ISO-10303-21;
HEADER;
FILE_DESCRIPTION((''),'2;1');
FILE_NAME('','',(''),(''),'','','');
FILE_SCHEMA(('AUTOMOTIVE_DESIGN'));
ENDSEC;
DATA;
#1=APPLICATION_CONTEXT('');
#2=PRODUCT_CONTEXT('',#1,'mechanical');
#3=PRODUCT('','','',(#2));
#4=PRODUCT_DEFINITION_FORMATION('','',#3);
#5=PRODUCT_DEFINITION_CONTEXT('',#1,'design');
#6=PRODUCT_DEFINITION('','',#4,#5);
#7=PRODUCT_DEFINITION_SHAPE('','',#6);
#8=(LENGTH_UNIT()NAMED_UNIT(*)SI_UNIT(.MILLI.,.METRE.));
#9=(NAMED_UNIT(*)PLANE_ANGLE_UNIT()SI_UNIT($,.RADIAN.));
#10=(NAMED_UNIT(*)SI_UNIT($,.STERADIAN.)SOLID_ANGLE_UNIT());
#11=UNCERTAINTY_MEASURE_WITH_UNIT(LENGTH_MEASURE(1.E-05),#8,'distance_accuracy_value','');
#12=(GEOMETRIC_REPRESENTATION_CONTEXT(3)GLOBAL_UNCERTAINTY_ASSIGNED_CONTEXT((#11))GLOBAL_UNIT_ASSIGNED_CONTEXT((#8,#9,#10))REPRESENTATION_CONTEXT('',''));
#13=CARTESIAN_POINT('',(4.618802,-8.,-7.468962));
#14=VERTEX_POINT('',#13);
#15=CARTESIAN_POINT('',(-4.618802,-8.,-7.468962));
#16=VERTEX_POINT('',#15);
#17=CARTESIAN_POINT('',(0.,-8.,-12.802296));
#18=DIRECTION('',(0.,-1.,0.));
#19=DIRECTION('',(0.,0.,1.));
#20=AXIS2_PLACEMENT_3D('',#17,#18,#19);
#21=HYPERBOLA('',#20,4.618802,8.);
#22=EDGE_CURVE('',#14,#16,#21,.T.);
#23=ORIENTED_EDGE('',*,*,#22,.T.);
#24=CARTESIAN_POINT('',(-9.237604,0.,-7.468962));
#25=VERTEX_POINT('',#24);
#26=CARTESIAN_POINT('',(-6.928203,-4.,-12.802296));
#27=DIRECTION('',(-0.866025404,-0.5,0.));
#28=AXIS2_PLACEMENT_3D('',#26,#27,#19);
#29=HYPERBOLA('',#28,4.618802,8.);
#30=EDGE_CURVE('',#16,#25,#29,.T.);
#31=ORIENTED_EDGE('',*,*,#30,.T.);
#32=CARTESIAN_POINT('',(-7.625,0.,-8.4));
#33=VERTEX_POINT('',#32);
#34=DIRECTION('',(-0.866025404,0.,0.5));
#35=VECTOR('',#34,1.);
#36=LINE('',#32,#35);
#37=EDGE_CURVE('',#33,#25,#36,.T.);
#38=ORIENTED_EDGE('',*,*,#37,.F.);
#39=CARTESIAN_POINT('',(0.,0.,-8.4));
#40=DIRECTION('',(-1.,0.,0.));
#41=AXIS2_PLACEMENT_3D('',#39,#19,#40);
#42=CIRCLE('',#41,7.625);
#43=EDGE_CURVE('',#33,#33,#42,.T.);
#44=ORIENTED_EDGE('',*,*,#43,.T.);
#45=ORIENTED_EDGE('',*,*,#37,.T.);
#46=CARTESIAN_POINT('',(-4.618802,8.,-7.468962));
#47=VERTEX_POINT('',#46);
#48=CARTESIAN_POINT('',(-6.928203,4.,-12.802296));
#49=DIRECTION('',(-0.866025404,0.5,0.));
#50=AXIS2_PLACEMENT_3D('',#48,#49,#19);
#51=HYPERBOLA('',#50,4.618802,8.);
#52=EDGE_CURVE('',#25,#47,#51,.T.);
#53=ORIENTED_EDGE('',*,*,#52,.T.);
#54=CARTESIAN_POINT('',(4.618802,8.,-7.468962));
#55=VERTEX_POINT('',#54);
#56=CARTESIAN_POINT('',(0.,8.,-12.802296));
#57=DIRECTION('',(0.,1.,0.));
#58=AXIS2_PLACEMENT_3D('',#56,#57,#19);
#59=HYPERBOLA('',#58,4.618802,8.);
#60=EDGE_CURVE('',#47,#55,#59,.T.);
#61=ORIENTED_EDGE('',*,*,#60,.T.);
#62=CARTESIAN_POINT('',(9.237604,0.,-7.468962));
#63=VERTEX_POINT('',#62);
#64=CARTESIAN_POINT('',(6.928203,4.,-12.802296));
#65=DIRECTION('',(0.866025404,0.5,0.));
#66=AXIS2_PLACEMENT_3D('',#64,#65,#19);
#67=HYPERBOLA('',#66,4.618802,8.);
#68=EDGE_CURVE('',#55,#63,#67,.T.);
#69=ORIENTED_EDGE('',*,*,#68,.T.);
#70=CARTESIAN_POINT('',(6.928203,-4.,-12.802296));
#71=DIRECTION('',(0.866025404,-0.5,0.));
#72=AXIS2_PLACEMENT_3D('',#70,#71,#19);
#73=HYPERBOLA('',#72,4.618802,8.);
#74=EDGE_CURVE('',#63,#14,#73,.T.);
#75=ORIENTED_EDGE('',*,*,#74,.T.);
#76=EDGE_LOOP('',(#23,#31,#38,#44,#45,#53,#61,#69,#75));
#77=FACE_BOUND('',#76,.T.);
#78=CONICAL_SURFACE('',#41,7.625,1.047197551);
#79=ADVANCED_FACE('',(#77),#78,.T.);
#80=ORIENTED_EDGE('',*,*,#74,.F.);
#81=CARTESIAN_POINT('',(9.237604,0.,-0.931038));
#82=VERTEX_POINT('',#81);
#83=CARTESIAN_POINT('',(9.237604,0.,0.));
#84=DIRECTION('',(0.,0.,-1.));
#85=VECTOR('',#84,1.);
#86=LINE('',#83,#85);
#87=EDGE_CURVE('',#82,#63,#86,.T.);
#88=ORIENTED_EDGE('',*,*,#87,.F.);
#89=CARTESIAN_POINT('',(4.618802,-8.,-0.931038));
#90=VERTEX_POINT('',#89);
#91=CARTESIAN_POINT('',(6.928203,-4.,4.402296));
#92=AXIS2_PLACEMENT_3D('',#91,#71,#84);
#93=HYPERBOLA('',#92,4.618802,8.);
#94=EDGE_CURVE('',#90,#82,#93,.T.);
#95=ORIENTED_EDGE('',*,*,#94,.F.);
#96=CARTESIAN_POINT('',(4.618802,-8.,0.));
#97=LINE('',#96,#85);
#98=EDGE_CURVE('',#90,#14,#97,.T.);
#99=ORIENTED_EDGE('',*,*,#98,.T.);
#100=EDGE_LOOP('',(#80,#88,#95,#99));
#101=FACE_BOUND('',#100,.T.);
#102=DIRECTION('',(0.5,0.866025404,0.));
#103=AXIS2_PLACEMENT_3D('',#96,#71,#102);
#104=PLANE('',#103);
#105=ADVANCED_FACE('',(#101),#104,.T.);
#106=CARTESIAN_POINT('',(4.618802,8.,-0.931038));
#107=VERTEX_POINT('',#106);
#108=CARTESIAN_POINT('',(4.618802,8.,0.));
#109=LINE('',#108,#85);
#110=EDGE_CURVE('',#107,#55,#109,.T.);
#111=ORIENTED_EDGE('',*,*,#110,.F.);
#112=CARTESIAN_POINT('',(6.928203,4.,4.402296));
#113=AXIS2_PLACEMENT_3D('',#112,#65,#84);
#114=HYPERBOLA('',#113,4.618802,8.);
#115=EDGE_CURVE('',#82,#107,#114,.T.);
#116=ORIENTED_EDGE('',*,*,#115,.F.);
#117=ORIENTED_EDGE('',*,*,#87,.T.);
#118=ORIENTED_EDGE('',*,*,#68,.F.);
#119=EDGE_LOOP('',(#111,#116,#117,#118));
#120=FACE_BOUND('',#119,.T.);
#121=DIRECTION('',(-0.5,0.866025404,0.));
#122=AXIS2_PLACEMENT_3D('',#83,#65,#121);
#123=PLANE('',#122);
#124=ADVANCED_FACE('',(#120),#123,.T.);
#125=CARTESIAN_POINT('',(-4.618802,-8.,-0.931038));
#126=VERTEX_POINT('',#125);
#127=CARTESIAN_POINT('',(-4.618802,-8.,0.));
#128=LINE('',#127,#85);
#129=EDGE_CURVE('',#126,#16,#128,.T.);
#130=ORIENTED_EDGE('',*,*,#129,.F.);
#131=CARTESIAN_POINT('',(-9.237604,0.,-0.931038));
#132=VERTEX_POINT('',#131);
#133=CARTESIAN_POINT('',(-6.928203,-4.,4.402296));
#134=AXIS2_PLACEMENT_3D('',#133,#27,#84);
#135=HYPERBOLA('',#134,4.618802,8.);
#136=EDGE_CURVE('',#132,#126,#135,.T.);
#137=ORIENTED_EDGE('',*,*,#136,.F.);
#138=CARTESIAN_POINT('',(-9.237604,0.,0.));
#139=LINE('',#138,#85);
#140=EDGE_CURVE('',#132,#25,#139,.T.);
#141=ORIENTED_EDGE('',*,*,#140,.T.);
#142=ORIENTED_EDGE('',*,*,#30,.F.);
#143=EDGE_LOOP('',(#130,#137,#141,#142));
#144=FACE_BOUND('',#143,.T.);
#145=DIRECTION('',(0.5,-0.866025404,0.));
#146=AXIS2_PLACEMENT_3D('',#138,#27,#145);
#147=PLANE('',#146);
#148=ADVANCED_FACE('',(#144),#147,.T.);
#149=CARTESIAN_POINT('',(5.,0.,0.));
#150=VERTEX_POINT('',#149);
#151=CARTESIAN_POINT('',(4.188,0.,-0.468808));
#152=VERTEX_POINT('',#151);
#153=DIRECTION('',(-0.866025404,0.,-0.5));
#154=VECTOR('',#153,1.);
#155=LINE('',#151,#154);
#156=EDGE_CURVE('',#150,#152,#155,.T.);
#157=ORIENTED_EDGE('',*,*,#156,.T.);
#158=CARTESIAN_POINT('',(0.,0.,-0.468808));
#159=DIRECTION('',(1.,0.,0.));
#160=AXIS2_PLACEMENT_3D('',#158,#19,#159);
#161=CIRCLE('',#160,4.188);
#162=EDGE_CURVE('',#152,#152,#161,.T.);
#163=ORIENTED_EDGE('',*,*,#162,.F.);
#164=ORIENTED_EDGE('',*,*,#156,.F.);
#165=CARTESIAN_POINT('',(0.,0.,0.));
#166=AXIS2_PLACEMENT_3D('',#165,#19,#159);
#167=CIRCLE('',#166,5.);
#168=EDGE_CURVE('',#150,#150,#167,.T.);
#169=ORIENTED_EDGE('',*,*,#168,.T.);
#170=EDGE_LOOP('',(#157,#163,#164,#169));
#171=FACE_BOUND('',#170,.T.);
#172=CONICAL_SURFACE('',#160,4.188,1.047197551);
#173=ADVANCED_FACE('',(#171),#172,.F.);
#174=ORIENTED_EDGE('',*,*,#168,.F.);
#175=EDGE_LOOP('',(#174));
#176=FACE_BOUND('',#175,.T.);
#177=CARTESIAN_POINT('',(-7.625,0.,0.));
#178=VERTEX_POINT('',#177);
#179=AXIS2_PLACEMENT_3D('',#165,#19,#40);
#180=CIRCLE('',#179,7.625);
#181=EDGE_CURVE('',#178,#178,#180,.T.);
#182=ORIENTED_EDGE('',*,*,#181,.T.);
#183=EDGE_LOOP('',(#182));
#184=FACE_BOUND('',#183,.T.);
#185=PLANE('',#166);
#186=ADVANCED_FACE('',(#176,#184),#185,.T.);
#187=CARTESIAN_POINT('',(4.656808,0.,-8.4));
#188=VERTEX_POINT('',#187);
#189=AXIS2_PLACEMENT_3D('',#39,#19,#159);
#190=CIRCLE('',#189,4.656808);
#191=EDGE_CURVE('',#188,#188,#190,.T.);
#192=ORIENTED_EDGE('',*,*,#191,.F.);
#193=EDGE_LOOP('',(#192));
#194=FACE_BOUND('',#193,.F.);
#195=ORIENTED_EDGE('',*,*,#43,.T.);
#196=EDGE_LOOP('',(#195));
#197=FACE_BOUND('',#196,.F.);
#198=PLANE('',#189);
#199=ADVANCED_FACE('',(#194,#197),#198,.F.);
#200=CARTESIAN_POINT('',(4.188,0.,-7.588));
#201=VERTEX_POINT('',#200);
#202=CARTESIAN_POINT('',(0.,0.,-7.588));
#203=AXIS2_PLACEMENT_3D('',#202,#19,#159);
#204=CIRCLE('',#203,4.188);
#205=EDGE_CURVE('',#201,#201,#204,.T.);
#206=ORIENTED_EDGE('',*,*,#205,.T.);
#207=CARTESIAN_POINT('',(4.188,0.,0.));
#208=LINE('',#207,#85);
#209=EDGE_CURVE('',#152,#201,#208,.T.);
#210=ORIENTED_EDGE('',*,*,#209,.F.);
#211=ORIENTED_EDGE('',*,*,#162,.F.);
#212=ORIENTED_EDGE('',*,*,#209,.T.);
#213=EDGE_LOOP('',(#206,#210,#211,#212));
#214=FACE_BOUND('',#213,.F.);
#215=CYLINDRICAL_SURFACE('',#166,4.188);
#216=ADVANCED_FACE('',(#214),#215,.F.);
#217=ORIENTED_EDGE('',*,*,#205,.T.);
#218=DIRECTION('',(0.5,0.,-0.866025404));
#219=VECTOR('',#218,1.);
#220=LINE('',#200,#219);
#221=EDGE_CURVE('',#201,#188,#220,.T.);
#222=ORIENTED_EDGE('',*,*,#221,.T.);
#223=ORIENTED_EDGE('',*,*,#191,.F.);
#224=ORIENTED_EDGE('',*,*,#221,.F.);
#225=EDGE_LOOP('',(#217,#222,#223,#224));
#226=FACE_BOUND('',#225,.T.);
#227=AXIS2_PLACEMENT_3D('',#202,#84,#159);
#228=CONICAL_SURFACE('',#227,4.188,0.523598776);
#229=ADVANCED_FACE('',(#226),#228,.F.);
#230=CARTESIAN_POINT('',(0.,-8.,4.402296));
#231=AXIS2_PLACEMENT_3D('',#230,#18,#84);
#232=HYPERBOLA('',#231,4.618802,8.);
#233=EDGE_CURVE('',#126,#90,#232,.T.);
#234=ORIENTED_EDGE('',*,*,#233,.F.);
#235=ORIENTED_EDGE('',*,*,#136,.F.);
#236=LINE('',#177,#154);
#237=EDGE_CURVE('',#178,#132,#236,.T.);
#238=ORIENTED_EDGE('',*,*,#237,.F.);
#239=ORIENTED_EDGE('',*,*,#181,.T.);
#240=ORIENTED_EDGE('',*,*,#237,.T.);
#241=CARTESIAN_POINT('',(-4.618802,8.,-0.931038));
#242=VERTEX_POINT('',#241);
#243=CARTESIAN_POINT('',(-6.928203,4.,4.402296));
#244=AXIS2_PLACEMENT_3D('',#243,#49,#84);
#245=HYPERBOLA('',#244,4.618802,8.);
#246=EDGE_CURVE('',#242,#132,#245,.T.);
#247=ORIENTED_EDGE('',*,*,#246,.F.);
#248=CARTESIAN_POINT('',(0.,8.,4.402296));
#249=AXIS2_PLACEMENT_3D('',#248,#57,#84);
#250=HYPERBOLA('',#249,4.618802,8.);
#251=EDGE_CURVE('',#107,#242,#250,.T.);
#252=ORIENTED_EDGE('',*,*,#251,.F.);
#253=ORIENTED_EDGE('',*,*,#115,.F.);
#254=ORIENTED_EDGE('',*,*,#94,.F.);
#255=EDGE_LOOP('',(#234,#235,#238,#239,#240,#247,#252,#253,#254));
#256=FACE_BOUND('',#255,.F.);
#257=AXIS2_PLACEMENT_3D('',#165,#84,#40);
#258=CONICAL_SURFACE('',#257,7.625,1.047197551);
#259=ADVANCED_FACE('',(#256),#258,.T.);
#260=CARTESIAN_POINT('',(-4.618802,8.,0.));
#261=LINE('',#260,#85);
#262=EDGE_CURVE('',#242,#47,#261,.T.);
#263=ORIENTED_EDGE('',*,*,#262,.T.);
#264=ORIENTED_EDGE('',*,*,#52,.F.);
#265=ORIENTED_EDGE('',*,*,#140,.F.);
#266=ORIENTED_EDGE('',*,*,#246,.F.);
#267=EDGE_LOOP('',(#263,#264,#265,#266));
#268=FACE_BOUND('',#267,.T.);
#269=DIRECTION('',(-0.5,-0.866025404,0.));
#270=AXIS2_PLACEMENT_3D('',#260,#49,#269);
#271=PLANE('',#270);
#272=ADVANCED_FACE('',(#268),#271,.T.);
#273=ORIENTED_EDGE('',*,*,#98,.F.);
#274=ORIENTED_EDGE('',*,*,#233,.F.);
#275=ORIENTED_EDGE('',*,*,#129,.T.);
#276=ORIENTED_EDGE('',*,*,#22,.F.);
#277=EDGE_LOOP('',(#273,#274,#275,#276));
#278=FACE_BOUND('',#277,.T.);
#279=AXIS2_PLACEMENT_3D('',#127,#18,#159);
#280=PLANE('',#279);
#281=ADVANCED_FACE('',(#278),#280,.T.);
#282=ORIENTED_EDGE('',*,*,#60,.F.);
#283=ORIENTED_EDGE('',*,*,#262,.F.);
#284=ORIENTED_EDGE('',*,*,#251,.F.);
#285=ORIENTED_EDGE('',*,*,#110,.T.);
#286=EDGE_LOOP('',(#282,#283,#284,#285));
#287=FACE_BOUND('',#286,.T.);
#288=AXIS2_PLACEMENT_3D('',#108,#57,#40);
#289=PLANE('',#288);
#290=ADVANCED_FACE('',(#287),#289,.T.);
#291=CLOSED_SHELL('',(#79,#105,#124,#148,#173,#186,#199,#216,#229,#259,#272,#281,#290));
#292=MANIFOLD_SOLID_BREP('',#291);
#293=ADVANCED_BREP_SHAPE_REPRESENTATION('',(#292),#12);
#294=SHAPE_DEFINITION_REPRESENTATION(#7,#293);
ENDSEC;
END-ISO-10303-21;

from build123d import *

# Parameters (mm, degrees)
SKETCH1_R               = 4.188
BASENUT_DEPTH           = 8.4
ENDCHAMFER_SIZE         = 0.812
ENDCHAMFER_SIZE2        = 0.468808419
ENDCHAMFER_PART_2_SIZE  = 0.812
ENDCHAMFER_PART_2_SIZE2 = 0.468808419


with BuildPart() as part:
    # Sketch1 → BaseNut (new body)
    with BuildSketch(Plane.XY):
        Polygon((9.237604307, 0), (4.618802154, 8), (-4.618802154, 8), (-9.237604307, 0), (-4.618802154, -8), (4.618802154, -8), align=None)
        Circle(SKETCH1_R, mode=Mode.SUBTRACT)
    extrude(amount=-BASENUT_DEPTH)

    # Sketch2 → Double-Chamfer (revolve, cut)
    with BuildSketch(Plane(origin=(0, 0, 0), x_dir=(1, 0, 0), z_dir=(0, 1, 0))):
        Polygon((-9.237604307, 8.4), (-7.625, 8.4), (-9.237604307, 7.468962469), align=None)
        Polygon((-9.237604307, 0.931037531), (-9.237604307, 0), (-7.625, 0), align=None)
    revolve(axis=Axis((0, 0, -3.375940562), (0, 0, 1)), mode=Mode.SUBTRACT)

    # EndChamfer
    endchamfer_edges = [part.edges().sort_by_distance(p)[0] for p in [
        (-4.188, 0, -8.4),
    ]]
    endchamfer_side = [part.faces().sort_by_distance(p)[0] for p in [
        (-4.188, 0, -4.2),
    ]]
    chamfer(endchamfer_edges, length=ENDCHAMFER_SIZE, length2=ENDCHAMFER_SIZE2, reference=endchamfer_side[0])

    # EndChamfer part 2
    endchamfer_part_2_edges = [part.edges().sort_by_distance(p)[0] for p in [
        (-4.188, 0, 0),
    ]]
    endchamfer_part_2_side = [part.faces().sort_by_distance(p)[0] for p in [
        (7.409332432, 0, 0),
    ]]
    chamfer(endchamfer_part_2_edges, length=ENDCHAMFER_PART_2_SIZE, length2=ENDCHAMFER_PART_2_SIZE2, reference=endchamfer_part_2_side[0])


solid = part.part
